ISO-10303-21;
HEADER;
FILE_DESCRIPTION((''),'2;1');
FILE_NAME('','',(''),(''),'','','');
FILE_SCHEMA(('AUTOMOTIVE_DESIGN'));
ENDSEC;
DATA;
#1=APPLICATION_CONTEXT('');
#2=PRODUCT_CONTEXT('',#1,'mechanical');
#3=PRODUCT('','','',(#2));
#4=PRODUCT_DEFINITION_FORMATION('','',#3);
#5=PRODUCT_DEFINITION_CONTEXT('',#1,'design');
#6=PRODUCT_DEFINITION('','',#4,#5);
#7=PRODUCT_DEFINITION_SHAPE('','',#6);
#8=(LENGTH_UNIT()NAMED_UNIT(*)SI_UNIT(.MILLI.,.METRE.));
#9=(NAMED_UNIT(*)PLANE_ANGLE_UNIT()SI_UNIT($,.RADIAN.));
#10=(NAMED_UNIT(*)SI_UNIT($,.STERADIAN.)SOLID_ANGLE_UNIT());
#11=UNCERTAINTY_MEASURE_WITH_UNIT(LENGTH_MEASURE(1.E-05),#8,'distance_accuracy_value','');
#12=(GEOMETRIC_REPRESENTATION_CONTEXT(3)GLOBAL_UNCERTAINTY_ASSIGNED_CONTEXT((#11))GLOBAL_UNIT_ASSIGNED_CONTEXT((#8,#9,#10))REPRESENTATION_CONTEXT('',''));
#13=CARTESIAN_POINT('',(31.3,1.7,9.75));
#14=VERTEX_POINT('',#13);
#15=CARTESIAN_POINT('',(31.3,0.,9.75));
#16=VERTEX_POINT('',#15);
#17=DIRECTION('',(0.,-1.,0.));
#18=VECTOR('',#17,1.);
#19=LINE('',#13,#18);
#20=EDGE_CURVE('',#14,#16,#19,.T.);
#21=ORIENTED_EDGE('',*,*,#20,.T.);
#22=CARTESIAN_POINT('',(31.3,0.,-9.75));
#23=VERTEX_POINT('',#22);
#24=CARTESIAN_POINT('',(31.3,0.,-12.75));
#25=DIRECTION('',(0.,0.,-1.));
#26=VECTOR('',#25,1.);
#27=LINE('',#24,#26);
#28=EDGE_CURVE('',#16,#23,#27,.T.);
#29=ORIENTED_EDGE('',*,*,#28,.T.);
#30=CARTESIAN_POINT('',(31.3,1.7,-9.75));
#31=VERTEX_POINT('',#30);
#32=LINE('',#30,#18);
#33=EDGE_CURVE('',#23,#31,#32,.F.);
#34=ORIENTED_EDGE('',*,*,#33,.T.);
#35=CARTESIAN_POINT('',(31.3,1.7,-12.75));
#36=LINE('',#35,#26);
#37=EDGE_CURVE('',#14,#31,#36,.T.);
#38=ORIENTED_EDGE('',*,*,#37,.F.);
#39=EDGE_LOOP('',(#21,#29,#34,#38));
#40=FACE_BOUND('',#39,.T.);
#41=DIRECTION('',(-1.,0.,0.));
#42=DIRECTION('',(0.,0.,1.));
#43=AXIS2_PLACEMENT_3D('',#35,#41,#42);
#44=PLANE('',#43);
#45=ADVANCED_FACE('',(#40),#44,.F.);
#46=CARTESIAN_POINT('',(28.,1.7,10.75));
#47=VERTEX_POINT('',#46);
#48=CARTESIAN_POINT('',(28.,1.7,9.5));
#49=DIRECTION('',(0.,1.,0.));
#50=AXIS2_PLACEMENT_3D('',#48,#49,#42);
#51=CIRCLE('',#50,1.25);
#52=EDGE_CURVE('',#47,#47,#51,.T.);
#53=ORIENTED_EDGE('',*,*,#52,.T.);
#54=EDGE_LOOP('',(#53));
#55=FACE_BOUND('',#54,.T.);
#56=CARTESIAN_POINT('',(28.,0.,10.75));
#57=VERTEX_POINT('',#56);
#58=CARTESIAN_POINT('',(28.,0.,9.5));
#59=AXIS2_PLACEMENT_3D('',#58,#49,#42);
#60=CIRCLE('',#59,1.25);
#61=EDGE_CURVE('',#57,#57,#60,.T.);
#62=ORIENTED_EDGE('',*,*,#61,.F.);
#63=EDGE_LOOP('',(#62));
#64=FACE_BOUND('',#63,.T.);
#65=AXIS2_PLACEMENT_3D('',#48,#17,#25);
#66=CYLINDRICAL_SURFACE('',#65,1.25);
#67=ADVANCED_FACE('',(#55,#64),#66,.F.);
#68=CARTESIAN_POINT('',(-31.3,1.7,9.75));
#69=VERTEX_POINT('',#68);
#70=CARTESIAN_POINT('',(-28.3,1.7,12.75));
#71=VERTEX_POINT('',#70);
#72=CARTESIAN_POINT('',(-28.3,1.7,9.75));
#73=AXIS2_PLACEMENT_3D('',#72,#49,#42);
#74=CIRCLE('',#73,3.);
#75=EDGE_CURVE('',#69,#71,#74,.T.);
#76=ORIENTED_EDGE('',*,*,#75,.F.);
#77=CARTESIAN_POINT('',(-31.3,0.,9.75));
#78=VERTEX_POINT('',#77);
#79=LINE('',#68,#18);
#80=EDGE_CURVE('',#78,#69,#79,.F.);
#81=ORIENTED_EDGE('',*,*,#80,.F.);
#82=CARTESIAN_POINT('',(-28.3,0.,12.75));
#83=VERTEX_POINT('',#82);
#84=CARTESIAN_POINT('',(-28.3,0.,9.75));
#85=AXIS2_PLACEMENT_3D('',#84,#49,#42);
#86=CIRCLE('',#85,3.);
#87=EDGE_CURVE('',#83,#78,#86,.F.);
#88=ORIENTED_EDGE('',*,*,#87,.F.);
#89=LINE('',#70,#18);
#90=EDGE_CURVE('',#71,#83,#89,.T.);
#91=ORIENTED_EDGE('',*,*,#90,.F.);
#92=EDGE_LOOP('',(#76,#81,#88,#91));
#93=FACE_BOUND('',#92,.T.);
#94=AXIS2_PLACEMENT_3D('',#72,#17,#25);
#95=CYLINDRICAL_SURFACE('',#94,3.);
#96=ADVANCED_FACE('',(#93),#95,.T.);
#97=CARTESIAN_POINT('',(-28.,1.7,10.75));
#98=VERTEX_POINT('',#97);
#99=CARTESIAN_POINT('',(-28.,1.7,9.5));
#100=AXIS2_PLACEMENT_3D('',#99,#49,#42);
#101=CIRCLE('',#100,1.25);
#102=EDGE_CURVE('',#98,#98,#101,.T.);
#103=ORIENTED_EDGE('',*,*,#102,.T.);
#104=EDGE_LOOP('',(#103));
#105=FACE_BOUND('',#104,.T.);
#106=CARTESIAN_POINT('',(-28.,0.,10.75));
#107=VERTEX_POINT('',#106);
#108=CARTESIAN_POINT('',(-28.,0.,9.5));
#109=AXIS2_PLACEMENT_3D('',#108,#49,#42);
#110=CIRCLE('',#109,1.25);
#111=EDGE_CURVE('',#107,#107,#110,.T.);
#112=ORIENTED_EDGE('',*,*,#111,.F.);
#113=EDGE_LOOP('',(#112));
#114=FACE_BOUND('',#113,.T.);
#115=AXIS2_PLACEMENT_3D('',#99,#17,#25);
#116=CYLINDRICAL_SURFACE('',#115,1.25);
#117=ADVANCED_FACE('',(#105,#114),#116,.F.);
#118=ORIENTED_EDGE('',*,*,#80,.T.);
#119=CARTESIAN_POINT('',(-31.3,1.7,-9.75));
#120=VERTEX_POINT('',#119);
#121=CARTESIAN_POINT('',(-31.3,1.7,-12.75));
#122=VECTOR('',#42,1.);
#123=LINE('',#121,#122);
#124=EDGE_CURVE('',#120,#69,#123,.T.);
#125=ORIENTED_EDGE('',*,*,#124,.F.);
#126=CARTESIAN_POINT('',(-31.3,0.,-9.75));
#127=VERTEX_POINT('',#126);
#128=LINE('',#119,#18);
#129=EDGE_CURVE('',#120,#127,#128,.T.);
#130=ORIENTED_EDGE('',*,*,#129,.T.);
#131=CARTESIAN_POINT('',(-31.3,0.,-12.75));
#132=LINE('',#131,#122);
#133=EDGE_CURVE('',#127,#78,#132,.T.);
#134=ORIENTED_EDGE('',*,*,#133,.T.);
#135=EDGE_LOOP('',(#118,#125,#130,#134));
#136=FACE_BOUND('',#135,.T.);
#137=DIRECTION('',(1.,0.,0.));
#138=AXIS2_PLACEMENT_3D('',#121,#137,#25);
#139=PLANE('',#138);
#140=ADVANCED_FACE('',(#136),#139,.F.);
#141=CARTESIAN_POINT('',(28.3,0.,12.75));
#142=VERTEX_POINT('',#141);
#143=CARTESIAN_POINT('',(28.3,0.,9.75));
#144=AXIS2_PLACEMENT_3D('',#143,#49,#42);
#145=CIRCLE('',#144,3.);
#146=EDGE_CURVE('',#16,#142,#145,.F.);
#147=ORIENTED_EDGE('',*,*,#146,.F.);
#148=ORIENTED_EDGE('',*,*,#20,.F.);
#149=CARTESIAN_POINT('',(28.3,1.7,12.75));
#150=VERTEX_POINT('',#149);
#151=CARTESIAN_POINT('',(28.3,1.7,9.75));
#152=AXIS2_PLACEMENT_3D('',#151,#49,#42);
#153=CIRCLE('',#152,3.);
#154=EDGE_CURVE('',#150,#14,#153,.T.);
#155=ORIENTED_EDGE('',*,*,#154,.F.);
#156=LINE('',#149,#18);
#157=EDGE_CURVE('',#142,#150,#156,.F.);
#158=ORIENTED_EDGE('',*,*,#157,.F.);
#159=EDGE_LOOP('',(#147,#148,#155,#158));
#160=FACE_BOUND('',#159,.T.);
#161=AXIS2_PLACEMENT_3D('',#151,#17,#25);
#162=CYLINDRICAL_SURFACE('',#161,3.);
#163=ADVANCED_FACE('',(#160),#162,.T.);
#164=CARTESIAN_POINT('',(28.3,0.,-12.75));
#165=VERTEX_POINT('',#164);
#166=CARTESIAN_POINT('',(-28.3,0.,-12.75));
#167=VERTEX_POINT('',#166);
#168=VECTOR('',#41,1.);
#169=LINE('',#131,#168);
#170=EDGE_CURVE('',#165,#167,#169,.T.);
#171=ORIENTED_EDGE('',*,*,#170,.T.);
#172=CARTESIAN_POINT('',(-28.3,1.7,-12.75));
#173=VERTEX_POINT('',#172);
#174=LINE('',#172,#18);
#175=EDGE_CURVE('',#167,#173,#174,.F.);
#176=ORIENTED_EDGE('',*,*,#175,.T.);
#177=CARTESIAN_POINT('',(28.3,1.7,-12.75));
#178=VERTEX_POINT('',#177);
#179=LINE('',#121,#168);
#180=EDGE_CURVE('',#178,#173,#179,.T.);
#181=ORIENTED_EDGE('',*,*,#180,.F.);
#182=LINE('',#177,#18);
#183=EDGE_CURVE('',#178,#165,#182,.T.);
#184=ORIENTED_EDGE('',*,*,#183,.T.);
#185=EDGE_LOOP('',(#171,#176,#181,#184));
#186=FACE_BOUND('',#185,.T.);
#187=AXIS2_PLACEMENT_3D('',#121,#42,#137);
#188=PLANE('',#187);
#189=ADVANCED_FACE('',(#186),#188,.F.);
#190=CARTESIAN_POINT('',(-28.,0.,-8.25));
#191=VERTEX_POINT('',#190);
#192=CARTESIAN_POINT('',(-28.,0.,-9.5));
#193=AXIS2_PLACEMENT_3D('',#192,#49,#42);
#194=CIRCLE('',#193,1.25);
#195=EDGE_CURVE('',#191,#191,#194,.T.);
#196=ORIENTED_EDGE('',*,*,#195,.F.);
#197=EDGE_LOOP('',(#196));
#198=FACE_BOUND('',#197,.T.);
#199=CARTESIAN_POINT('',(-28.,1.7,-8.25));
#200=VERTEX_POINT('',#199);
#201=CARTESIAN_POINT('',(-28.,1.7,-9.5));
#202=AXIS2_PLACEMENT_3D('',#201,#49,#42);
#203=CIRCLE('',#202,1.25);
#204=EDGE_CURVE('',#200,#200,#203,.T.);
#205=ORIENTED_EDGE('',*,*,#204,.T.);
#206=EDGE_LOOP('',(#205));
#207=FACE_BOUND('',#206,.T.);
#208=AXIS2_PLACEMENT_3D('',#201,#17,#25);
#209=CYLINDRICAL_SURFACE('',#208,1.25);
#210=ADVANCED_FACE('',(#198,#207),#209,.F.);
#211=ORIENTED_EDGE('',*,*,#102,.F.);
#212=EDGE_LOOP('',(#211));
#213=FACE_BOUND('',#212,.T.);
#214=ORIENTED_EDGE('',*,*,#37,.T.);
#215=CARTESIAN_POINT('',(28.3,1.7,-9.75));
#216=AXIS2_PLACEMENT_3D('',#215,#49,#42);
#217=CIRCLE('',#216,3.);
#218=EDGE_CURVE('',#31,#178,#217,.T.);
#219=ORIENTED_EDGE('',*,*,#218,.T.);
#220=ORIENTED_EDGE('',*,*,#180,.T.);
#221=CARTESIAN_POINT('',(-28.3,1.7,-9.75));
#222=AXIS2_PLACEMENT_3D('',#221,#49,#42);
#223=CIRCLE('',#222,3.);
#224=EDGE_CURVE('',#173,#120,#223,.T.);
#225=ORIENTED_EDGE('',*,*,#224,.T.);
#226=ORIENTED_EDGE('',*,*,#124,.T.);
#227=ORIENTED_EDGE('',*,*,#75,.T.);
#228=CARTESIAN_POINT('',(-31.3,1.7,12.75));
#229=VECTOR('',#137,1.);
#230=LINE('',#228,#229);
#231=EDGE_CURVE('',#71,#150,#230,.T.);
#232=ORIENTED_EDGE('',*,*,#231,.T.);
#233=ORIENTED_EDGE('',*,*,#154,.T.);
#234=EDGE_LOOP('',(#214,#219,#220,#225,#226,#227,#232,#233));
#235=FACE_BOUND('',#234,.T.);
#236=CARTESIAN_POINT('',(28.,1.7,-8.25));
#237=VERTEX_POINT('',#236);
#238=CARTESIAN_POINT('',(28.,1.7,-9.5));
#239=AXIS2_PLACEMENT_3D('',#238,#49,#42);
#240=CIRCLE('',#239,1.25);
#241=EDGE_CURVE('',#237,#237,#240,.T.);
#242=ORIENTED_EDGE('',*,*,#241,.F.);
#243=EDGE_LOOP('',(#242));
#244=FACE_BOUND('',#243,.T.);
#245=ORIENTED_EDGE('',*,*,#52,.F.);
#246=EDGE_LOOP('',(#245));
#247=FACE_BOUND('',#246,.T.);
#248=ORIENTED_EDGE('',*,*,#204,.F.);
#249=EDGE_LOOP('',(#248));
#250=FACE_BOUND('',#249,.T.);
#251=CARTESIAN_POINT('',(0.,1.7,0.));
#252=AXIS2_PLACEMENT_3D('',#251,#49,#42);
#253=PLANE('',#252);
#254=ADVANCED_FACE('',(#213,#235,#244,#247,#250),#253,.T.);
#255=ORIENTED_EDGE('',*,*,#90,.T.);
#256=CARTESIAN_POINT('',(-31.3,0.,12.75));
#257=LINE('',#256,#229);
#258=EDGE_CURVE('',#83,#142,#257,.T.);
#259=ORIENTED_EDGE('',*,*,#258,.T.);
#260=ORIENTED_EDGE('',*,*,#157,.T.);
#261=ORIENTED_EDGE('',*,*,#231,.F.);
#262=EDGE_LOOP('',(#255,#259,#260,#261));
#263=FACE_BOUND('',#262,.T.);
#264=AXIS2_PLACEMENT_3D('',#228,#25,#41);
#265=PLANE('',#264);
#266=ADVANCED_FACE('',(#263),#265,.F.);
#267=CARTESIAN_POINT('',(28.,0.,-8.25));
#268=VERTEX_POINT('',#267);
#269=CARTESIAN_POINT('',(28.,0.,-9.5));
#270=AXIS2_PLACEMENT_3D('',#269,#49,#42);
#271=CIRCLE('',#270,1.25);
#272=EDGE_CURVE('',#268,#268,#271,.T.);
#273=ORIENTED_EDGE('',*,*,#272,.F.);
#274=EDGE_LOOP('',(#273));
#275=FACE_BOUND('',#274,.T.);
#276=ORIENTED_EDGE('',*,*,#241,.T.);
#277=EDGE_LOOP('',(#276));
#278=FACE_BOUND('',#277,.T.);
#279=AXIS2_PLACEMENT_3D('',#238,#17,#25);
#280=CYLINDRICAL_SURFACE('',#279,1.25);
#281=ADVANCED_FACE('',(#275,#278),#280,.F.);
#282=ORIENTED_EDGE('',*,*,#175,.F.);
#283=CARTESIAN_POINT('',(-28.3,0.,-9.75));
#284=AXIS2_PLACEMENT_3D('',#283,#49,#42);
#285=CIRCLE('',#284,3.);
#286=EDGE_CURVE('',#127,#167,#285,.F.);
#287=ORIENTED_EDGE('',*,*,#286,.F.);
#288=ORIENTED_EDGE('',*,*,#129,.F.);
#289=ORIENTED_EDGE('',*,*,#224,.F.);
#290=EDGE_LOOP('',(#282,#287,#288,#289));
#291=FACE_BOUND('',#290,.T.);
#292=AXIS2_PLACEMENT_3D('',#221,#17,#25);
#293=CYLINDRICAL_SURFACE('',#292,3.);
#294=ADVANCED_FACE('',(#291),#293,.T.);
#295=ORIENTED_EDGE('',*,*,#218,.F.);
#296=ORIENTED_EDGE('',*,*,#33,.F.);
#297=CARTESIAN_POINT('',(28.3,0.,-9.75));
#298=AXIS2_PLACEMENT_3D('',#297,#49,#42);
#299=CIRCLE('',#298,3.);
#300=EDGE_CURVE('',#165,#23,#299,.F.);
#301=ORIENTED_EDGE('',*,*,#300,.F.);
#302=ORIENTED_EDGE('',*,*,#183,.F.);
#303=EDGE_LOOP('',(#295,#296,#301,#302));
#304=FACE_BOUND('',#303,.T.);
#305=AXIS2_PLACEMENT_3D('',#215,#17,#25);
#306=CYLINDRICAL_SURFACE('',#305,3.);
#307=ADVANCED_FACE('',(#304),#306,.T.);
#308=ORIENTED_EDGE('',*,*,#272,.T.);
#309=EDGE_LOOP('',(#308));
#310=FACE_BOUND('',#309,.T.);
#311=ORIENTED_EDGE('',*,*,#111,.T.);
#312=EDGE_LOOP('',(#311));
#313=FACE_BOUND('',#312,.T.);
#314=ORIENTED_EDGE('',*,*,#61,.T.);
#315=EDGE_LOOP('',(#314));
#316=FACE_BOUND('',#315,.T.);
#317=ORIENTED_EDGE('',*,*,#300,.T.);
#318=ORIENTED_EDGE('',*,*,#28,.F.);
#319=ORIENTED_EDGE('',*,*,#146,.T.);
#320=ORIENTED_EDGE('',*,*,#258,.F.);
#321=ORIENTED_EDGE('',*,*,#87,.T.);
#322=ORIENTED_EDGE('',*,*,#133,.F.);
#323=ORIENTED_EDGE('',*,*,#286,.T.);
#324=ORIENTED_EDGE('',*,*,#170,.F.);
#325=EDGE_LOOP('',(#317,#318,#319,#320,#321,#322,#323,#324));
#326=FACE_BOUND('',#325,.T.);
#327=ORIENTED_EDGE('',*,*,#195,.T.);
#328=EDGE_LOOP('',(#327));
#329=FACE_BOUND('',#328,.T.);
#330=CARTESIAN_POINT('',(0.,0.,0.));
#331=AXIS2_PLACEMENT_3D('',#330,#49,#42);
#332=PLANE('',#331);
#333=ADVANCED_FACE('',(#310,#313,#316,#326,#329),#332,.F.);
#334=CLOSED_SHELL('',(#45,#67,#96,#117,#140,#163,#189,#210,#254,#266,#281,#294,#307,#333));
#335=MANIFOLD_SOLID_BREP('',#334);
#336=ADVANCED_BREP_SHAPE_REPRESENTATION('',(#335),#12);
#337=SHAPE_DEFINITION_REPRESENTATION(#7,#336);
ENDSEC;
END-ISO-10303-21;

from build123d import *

# Parameters (mm, degrees)
SKETCH1_W           = 62.6
SKETCH1_H           = 25.5
SKETCH1_R           = 1.25
BOSS_EXTRUDE1_DEPTH = 1.7
FILLET1_R           = 3


with BuildPart() as part:
    # Sketch1 → Boss-Extrude1 (new body)
    with BuildSketch(Plane(origin=(0, 0, 0), x_dir=(1, 0, 0), z_dir=(0, 1, 0))):
        Rectangle(SKETCH1_W, SKETCH1_H)
        with Locations((-28, 9.5)):
            Circle(SKETCH1_R, mode=Mode.SUBTRACT)
        with Locations((28, 9.5)):
            Circle(SKETCH1_R, mode=Mode.SUBTRACT)
        with Locations((28, -9.5)):
            Circle(SKETCH1_R, mode=Mode.SUBTRACT)
        with Locations((-28, -9.5)):
            Circle(SKETCH1_R, mode=Mode.SUBTRACT)
    extrude(amount=BOSS_EXTRUDE1_DEPTH)

    # Fillet1
    fillet1_edges = [part.edges().sort_by_distance(p)[0] for p in [
        (31.3, 0.85, 12.75),
        (-31.3, 0.85, 12.75),
        (-31.3, 0.85, -12.75),
        (31.3, 0.85, -12.75),
    ]]
    fillet(fillet1_edges, radius=FILLET1_R)


solid = part.part
